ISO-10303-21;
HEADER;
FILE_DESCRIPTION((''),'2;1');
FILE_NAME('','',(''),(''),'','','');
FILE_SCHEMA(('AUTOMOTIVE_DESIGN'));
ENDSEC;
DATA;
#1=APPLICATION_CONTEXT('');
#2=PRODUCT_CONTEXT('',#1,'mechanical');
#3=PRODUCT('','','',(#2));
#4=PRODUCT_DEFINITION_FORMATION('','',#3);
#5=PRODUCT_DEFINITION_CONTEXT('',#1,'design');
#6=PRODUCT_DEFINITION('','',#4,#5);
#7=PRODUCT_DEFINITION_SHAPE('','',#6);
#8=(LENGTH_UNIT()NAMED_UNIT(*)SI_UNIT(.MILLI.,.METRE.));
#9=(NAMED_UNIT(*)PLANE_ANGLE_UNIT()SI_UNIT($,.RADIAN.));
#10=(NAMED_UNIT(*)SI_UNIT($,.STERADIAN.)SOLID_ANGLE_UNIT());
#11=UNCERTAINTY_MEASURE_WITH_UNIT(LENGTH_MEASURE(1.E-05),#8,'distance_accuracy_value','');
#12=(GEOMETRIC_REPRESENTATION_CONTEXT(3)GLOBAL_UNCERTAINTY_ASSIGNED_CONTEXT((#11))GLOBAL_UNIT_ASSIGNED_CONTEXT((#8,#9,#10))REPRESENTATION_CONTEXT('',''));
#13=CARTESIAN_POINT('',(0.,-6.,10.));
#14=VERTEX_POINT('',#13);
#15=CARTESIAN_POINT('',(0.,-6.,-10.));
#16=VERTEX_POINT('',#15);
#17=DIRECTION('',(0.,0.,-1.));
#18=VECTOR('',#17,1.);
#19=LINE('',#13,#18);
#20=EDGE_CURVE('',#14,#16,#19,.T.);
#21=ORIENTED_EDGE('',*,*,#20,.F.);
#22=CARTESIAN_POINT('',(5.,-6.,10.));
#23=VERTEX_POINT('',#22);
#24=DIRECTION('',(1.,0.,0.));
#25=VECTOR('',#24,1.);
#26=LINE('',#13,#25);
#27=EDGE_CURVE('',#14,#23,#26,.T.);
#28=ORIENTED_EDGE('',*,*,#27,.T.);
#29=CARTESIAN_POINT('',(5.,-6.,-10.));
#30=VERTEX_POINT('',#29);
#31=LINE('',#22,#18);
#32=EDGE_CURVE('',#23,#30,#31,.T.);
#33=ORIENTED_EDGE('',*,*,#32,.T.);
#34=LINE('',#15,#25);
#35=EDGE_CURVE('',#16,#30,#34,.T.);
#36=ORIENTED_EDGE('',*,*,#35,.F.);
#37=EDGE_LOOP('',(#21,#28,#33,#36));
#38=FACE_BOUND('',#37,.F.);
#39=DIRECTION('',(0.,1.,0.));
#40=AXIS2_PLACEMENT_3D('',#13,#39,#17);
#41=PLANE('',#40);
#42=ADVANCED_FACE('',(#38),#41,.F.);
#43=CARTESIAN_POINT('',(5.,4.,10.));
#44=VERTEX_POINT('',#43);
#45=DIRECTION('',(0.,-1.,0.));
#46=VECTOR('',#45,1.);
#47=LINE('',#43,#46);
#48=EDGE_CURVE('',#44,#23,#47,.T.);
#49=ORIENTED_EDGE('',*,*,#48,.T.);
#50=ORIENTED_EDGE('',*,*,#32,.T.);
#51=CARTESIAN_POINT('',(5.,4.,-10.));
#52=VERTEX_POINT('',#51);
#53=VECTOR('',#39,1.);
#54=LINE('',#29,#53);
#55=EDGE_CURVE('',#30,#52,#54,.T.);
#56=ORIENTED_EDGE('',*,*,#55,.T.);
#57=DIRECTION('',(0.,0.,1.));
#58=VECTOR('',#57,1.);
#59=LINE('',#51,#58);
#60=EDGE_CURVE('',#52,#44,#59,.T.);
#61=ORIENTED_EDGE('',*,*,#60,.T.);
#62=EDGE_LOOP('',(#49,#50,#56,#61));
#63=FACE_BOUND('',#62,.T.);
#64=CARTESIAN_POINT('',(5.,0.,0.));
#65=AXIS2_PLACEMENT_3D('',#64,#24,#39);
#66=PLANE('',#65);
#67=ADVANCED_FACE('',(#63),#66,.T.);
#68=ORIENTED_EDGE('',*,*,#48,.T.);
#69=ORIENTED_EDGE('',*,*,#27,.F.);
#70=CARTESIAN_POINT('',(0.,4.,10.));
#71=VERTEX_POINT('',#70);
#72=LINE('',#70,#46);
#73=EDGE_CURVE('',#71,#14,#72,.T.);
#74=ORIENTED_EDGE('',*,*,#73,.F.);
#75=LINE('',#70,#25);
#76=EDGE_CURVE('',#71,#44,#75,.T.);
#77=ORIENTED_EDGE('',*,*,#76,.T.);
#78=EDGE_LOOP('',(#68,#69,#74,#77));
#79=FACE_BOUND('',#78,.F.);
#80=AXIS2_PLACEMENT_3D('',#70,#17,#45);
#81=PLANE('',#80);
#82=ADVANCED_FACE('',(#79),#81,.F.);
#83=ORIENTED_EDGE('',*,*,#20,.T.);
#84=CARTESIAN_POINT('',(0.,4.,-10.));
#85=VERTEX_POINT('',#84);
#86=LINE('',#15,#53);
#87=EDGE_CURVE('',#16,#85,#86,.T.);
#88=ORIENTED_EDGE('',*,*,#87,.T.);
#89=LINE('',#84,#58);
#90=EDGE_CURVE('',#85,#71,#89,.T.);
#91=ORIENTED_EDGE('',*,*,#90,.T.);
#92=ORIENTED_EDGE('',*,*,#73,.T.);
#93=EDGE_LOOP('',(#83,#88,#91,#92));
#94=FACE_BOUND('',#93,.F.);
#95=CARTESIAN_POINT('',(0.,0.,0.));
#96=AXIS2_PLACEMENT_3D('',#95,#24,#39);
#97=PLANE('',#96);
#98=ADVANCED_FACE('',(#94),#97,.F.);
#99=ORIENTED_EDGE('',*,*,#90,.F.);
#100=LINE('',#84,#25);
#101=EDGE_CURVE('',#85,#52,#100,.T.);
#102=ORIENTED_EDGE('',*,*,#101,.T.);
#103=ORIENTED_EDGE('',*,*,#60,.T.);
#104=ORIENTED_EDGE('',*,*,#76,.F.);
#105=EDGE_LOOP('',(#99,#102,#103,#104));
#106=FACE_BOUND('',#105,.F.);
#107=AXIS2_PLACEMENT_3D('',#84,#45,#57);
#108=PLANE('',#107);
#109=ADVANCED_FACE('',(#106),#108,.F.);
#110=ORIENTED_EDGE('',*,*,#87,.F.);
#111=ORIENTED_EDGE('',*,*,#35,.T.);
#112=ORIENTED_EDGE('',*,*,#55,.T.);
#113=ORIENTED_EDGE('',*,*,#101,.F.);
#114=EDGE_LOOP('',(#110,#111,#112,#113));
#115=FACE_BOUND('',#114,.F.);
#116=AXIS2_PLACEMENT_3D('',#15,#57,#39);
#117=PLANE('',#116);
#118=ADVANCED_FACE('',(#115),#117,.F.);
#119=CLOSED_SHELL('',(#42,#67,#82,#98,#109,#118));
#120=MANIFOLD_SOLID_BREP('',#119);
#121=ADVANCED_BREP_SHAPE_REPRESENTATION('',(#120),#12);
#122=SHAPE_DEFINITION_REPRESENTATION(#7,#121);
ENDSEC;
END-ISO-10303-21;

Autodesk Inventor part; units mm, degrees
ref_plane "YZ Plane" through (0, 0, 0) normal (1, 0, 0) x (0, 1, 0)
ref_plane "XZ Plane" through (0, 0, 0) normal (0, 1, 0) x (-1, 0, 0)
ref_plane "XY Plane" through (0, 0, 0) normal (0, 0, 1) x (1, 0, 0)
sketch "Sketch1" plane through (0, 0, 0) normal (1, 0, 0) x (0, 1, 0)
  line L0 (4, 10) -> (-6, 10)
  line L1 (-6, 10) -> (-6, -10)
  line L2 (-6, -10) -> (4, -10)
  line L3 (4, -10) -> (4, 10)
  point P0 (0, 0)
  dimension "d0" = 10
extrude "Extrusion1" add sketch "Sketch1" along normal blind 5
properties part number "slot1" material "Copper, Alloy"
